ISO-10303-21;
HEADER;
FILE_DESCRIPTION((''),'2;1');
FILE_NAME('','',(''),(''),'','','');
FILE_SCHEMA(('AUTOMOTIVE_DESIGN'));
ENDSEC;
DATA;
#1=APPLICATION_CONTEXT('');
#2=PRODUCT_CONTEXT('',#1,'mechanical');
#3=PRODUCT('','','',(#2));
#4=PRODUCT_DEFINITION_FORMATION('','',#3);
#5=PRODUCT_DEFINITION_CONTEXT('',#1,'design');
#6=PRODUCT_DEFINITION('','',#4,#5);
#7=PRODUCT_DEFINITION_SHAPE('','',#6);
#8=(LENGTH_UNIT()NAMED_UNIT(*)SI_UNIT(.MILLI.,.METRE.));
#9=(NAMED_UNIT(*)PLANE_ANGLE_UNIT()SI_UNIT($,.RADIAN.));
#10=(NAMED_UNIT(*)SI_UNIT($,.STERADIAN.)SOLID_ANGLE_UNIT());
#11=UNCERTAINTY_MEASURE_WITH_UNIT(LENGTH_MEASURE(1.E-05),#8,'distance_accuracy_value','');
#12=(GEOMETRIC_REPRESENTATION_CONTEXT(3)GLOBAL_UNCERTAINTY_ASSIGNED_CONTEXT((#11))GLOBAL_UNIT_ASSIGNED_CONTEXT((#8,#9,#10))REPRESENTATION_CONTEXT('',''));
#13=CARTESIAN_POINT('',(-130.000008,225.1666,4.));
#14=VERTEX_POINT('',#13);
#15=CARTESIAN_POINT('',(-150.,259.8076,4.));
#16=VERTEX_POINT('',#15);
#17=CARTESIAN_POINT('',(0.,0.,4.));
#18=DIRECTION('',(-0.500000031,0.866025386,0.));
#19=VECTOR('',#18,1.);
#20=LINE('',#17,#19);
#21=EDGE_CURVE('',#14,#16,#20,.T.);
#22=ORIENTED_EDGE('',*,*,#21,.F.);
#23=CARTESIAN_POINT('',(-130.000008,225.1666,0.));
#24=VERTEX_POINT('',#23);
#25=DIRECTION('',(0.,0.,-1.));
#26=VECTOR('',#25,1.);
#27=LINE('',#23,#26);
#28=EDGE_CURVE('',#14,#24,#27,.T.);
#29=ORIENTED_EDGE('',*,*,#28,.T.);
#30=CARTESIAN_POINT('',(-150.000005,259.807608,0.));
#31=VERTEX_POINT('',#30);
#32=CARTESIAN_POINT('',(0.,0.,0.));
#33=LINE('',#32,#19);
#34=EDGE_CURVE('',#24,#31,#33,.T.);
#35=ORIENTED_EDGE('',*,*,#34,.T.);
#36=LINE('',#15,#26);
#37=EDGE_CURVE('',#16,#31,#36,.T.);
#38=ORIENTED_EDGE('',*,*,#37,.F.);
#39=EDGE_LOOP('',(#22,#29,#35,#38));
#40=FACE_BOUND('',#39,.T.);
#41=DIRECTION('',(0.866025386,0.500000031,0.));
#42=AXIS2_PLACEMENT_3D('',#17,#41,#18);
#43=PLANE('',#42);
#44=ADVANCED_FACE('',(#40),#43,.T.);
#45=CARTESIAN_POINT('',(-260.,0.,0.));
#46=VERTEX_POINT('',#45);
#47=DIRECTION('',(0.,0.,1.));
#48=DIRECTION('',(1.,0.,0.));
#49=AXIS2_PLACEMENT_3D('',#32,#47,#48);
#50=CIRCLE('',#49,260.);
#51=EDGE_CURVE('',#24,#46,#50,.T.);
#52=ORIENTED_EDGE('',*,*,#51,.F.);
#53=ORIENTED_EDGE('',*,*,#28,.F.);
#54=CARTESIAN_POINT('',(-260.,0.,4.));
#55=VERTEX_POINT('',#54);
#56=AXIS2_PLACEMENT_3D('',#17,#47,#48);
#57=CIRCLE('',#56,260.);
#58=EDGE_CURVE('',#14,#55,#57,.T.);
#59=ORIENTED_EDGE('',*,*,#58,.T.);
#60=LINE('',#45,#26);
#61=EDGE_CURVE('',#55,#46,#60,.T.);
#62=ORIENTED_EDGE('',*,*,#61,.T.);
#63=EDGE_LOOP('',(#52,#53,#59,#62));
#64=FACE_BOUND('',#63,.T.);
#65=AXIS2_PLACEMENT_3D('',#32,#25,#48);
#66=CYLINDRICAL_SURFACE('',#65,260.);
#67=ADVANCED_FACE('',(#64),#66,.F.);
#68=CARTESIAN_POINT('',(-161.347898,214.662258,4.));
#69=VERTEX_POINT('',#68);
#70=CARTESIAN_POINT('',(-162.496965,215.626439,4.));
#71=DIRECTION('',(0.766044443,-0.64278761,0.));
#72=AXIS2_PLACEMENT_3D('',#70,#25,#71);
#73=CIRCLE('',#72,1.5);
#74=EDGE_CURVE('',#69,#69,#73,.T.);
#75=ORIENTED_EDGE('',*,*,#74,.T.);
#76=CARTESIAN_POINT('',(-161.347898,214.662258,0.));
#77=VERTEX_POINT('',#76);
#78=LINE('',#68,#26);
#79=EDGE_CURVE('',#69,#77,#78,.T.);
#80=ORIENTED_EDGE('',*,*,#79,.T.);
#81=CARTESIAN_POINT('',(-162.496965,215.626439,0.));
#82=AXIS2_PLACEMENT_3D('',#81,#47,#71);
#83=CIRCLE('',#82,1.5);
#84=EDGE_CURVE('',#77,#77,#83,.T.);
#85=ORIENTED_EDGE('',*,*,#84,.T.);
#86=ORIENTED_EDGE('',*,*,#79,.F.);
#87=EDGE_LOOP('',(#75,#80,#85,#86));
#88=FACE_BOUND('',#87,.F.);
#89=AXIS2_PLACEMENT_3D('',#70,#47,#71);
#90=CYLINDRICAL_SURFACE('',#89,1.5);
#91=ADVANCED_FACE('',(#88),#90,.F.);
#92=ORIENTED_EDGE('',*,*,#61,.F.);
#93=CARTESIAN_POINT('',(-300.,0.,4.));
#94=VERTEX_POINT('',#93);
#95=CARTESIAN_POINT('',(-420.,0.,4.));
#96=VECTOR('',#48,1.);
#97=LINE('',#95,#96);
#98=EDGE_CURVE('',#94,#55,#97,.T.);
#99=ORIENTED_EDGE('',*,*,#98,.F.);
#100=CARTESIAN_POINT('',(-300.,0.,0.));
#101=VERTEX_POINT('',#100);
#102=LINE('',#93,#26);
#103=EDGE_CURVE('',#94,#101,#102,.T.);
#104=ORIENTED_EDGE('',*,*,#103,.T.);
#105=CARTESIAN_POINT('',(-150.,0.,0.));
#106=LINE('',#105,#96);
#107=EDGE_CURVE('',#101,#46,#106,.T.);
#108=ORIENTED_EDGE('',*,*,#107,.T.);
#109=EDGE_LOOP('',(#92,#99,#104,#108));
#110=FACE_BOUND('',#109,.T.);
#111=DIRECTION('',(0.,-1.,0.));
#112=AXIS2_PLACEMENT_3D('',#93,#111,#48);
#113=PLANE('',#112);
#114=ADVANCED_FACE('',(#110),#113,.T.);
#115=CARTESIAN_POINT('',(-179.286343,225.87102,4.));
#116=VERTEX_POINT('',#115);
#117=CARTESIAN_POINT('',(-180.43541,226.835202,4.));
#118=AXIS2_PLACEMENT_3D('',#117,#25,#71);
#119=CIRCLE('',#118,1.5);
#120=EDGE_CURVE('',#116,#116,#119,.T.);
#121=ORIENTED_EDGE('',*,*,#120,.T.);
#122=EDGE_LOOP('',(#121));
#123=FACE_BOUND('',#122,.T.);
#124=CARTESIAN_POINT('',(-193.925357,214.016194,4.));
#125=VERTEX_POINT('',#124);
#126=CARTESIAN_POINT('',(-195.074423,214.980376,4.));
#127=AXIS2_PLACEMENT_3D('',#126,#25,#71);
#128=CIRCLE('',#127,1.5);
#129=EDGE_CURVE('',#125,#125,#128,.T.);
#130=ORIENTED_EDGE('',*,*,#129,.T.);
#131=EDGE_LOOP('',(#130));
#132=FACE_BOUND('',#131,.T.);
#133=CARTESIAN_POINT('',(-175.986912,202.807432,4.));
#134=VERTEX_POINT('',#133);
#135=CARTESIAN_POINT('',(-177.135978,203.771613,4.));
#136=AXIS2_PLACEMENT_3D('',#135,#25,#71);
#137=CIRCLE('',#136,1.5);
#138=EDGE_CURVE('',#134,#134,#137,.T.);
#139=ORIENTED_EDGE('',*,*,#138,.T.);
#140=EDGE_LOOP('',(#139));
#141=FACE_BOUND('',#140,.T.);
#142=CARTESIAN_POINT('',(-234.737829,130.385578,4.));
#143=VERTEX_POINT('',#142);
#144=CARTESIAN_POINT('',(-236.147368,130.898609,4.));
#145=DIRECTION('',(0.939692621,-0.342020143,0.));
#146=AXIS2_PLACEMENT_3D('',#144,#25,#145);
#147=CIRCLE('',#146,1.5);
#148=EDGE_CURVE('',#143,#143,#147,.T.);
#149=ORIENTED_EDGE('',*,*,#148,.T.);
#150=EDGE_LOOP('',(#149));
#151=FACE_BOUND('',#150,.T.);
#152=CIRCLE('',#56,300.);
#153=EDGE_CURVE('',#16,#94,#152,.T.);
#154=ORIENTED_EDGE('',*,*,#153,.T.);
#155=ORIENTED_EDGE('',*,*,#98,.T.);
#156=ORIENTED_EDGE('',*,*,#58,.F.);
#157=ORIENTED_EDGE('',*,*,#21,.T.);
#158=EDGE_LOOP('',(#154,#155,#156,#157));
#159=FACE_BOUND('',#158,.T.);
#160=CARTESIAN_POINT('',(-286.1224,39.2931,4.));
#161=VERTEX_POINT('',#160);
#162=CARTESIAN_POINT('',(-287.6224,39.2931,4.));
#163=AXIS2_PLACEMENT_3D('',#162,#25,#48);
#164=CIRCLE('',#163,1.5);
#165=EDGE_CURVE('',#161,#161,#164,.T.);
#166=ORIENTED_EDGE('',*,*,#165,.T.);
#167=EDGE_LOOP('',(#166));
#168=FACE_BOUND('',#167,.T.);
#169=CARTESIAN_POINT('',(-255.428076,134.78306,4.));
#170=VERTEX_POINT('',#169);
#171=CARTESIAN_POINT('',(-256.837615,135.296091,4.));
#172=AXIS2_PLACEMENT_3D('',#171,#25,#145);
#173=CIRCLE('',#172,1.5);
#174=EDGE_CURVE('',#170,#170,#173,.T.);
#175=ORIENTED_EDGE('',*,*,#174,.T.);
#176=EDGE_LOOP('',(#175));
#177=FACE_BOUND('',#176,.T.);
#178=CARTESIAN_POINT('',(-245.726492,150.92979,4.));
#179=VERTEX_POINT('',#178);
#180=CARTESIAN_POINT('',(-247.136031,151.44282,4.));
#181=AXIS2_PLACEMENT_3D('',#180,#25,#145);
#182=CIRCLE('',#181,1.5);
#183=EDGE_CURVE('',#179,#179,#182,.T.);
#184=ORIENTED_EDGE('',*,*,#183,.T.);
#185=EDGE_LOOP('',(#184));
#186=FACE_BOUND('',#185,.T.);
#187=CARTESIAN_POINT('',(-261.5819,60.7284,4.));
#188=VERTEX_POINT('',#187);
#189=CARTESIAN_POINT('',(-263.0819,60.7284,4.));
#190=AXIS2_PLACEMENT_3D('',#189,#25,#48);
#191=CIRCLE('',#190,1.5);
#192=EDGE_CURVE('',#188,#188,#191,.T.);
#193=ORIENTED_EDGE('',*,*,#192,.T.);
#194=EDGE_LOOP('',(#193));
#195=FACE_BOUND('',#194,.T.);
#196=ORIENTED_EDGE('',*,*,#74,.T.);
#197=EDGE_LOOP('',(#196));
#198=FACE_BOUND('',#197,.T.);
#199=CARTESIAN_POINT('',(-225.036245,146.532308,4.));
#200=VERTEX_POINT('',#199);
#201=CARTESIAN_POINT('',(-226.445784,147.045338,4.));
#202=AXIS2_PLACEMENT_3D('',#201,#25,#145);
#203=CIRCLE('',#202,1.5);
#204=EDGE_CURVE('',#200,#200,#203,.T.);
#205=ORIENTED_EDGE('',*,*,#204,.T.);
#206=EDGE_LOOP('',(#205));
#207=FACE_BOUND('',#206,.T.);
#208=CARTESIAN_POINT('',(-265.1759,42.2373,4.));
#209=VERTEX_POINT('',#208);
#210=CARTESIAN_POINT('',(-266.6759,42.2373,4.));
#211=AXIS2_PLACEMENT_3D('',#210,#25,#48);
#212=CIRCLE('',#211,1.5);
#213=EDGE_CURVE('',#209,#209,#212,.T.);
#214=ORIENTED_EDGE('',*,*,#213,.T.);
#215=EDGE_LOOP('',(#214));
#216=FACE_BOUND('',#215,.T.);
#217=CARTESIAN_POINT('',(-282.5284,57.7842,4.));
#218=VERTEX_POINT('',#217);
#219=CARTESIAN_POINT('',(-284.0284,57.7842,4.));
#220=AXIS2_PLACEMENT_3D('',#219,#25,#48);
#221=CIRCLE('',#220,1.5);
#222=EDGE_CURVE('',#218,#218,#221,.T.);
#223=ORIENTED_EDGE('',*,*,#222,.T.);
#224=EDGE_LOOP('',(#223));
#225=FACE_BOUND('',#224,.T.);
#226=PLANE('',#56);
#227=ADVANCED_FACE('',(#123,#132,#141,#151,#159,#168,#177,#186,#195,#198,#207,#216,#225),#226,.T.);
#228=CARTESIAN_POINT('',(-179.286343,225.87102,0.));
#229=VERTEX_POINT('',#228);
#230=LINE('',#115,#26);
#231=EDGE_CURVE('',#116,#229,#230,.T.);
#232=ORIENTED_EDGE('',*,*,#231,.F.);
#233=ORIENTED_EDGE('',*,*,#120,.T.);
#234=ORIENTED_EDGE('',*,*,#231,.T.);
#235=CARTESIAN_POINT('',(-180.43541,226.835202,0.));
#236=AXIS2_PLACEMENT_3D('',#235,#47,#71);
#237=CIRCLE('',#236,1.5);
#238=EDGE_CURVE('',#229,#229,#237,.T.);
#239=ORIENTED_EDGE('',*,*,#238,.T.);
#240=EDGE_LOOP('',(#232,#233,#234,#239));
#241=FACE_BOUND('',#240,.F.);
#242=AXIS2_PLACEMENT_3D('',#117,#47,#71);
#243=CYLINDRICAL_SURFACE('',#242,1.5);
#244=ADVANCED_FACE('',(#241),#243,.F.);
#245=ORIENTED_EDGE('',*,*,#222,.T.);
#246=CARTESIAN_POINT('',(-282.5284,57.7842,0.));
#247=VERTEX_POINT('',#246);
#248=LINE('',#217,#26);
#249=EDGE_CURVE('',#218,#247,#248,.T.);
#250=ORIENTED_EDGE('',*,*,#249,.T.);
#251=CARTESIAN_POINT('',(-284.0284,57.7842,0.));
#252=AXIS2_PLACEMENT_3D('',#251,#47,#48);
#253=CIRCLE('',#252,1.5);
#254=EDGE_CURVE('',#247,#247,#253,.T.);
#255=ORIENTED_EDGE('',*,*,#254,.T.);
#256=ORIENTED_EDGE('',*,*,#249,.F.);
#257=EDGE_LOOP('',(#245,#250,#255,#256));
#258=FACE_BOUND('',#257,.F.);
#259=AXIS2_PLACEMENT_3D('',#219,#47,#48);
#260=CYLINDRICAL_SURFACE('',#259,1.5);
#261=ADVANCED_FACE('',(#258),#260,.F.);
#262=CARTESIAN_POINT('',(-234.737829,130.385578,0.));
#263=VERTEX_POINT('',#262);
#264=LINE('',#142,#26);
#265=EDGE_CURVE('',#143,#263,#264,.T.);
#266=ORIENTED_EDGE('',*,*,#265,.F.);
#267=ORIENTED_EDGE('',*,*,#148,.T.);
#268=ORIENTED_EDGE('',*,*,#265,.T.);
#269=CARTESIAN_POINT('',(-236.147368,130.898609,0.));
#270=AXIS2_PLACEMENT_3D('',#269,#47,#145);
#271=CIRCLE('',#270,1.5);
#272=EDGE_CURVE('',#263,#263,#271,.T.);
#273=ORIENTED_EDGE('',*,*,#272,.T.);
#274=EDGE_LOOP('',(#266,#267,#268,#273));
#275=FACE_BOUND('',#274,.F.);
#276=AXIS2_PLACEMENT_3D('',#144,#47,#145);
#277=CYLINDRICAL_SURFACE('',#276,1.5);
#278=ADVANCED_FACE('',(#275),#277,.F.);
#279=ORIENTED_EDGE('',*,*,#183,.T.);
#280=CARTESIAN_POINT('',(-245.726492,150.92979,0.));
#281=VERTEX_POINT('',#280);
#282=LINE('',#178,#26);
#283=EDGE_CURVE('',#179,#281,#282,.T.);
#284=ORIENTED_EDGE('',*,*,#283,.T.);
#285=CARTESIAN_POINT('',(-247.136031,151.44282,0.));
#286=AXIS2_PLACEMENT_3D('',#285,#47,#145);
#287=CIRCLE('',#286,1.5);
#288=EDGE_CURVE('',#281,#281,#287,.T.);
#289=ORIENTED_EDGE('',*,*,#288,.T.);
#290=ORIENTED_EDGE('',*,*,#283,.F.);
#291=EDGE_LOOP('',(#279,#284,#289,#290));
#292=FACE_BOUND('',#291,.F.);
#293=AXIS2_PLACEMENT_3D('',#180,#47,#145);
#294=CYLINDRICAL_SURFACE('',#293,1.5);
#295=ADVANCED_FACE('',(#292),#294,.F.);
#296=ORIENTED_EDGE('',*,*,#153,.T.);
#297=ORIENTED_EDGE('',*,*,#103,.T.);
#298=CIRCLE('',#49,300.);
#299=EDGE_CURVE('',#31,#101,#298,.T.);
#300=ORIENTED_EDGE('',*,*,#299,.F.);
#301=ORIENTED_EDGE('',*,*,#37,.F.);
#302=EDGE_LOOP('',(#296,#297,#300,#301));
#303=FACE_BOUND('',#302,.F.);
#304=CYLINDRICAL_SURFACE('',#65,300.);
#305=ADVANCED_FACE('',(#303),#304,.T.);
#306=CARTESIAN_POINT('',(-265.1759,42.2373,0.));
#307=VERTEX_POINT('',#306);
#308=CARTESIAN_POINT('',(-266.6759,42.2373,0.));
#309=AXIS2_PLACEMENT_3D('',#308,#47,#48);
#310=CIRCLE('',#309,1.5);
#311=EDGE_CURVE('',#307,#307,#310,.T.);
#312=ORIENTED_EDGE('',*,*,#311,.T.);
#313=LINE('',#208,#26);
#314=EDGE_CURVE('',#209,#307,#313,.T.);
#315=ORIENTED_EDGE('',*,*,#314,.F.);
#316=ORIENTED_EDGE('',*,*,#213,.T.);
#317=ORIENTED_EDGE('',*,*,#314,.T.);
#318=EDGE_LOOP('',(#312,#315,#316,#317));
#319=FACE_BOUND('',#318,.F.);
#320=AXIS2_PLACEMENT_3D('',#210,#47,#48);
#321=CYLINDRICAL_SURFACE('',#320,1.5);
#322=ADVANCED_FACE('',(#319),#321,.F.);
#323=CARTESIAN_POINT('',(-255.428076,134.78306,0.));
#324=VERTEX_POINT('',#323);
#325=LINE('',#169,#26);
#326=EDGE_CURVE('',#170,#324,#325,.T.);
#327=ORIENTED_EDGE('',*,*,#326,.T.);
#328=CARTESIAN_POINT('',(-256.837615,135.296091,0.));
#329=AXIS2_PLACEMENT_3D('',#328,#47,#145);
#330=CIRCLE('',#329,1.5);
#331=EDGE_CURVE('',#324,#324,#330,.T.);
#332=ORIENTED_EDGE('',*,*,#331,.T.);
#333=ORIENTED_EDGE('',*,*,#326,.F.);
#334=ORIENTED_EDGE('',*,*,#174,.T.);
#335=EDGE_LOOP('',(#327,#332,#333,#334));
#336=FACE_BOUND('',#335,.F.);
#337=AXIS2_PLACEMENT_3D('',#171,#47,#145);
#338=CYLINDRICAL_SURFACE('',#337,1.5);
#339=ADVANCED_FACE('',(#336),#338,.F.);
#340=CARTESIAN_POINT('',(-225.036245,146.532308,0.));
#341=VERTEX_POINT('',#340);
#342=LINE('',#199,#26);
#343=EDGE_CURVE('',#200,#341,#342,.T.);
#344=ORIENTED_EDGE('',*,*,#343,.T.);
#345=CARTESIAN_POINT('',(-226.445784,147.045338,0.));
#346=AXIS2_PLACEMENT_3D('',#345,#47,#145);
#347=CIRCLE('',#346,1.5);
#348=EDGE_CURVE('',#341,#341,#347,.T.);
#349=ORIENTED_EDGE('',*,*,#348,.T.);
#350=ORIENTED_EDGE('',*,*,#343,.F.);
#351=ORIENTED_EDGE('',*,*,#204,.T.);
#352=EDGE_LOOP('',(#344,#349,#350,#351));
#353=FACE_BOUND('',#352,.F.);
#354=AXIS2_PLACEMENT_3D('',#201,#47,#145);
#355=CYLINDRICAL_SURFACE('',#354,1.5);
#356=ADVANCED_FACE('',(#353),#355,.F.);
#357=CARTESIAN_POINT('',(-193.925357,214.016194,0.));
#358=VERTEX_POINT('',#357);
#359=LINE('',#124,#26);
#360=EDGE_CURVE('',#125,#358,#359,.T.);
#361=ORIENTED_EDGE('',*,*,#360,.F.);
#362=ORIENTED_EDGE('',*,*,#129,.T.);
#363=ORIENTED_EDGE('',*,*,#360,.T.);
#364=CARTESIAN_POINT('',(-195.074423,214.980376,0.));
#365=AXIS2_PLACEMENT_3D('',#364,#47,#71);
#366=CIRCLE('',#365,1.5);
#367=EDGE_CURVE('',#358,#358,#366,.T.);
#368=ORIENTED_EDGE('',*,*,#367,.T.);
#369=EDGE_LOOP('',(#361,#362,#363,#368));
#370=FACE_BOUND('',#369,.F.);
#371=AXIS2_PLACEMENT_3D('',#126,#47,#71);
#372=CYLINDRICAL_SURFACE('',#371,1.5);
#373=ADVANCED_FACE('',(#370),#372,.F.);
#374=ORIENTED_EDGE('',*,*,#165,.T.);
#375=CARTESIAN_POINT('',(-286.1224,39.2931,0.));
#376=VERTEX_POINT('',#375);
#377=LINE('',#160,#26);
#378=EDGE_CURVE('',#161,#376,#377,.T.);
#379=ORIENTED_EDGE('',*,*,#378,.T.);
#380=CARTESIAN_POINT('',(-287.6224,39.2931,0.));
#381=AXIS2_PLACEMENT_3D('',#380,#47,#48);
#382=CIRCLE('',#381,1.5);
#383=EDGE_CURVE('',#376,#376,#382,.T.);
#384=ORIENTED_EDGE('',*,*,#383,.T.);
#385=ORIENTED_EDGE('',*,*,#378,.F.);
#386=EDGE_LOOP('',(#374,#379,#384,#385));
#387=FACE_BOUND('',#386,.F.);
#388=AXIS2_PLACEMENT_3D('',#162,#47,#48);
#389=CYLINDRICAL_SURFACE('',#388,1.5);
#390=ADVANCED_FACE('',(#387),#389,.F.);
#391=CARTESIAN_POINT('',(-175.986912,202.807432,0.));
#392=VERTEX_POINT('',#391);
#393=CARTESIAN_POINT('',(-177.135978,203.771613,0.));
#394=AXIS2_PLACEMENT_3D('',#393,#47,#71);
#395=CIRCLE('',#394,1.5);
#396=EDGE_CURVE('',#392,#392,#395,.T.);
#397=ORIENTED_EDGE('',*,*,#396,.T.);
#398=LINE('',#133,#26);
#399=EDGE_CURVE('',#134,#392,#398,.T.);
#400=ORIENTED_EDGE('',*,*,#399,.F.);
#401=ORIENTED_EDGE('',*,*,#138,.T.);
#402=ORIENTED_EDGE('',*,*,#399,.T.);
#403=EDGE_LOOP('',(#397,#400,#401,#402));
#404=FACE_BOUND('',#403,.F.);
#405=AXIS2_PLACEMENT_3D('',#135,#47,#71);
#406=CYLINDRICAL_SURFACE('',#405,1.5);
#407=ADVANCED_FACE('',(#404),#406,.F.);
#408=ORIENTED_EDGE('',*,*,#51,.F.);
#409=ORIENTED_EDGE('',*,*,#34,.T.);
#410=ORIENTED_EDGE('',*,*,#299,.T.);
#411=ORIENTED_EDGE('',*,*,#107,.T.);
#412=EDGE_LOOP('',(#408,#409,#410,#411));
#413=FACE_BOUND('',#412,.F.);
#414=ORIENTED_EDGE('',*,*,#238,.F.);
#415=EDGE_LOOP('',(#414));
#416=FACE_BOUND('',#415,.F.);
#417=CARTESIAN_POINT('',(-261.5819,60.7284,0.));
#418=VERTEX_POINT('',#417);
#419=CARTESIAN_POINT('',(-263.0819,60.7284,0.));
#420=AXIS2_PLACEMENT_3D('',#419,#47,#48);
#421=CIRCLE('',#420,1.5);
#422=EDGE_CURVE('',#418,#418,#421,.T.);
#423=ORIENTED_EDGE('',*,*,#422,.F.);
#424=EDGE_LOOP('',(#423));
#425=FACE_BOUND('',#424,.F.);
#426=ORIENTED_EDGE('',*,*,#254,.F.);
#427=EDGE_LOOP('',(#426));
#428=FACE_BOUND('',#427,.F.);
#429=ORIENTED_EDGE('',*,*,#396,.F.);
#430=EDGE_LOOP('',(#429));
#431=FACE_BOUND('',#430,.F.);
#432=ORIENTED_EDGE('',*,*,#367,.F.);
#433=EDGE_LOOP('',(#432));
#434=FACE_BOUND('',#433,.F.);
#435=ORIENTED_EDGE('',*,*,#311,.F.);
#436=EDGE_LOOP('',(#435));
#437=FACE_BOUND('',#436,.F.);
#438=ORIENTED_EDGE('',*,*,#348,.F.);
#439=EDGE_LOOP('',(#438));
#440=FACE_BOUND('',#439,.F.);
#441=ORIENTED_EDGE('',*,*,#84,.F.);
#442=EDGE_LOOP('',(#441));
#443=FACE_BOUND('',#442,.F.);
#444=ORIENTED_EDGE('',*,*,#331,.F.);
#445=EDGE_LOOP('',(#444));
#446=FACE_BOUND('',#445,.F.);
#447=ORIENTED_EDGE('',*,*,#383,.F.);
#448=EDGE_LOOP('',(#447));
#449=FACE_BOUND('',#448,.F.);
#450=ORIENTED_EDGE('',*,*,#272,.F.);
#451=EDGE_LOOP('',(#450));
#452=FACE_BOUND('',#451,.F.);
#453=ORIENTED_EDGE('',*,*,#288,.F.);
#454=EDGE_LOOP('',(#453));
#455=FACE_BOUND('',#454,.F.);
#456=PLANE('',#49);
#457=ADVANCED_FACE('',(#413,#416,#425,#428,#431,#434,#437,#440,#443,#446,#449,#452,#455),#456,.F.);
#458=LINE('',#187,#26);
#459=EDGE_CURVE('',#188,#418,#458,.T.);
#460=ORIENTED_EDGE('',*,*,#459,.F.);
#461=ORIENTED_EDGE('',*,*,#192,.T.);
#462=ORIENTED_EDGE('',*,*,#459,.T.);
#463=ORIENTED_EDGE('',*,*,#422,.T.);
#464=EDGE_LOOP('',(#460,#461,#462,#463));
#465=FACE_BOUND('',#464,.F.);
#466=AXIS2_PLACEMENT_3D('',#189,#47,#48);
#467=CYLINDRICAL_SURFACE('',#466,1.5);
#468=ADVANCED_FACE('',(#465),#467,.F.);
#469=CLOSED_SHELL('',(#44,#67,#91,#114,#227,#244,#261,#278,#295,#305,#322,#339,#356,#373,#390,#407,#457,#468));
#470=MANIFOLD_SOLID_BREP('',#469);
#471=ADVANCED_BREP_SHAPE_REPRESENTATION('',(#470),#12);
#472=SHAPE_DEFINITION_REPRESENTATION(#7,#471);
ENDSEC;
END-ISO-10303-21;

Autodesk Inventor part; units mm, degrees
ref_plane "YZ Plane" through (0, 0, 0) normal (1, 0, 0) x (0, 1, 0)
ref_plane "XZ Plane" through (0, 0, 0) normal (0, 1, 0) x (-1, 0, 0)
ref_plane "XY Plane" through (0, 0, 0) normal (0, 0, 1) x (1, 0, 0)
sketch "Sketch1" plane through (0, 0, 0) normal (0, 0, 1) x (1, 0, 0)
  circle A0 centre (0, 0) radius 260
  circle A1 centre (0, 0) radius 300
  dimension "d0" = 600
  dimension "d1" = 40
extrude "Extrusion1" add sketch "Sketch1" along normal blind 4
sketch "Sketch2" plane through (0, 0, 4) normal (0, 0, 1) x (1, 0, 0)
  line L0 (300, 35.8531) -> (300, -300)
  line L1 (300, -300) -> (-300, -300)
  line L2 (-300, -300) -> (-300, 0)
  circle A0 centre (0, 0) radius 300 projected
  line L3 (-420, 0) -> (420, 0) projected
  circle A1 centre (0, 0) radius 300 projected
  line L4 (-300, 0) -> (0, 0)
  line L5 (0, 0) -> (-150, 259.8076)
  line L6 (-150, 259.8076) -> (-150, 300)
  line L7 (-150, 300) -> (300, 300)
  line L8 (300, 300) -> (300, 35.8531)
  dimension "d25" = 60
extrude "Extrusion2" cut sketch "Sketch2" against normal blind 10 contours L3 L5 A0 | A0 L3 picked at (97.6489, 174.3647)
sketch "Sketch3" plane through (0, 0, 4) normal (0, 0, 1) x (1, 0, 0)
  circle A0 centre (-287.6224, 39.2931) radius 1.5
  circle A1 centre (-266.6759, 42.2373) radius 1.5
  line L0 (-420, 0) -> (420, 0) projected
  circle A2 centre (-284.0284, 57.7842) radius 1.5
  circle A3 centre (-263.0819, 60.7284) radius 1.5
  line L1 (-266.6759, 42.2373) -> (-287.6224, 39.2931)
  line L2 (-287.6224, 39.2931) -> (-284.0284, 57.7842)
  line L3 (-284.0284, 57.7842) -> (-263.0819, 60.7284)
  line L4 (-263.0819, 60.7284) -> (-266.6759, 42.2373)
  line L5 (-263.0819, 60.7284) -> (0.6965, 4.6606)
  line L6 (0.6965, 4.6606) -> (-266.6759, 42.2373)
  point P0 (0, 0)
  dimension "d6" = 3
  dimension "d7" = 3
  dimension "d9" = 270
  dimension "d11" = 3
  dimension "d12" = 3
  dimension "d14" = 270
  dimension "d21" = 109
  dimension "d22" = 20
  dimension "d23" = 8
  dimension "d24" = 12
extrude "Extrusion3" cut sketch "Sketch3" against normal through all contours A0 L2 L1 | L1 L2 A0 | L1 L6 A1 | A1 L4 L1 | L2 L3 A2 | A2 L3 L2 | A1 L6 L4 | L4 L5 A3 | A3 L3 L4 | A3 L5 L3
pattern_circular "Circular Pattern1" count 9 over 160 about axis through (0, 0, 0) along (0, 0, -1) of "Extrusion3"
properties part number "wheel8"
